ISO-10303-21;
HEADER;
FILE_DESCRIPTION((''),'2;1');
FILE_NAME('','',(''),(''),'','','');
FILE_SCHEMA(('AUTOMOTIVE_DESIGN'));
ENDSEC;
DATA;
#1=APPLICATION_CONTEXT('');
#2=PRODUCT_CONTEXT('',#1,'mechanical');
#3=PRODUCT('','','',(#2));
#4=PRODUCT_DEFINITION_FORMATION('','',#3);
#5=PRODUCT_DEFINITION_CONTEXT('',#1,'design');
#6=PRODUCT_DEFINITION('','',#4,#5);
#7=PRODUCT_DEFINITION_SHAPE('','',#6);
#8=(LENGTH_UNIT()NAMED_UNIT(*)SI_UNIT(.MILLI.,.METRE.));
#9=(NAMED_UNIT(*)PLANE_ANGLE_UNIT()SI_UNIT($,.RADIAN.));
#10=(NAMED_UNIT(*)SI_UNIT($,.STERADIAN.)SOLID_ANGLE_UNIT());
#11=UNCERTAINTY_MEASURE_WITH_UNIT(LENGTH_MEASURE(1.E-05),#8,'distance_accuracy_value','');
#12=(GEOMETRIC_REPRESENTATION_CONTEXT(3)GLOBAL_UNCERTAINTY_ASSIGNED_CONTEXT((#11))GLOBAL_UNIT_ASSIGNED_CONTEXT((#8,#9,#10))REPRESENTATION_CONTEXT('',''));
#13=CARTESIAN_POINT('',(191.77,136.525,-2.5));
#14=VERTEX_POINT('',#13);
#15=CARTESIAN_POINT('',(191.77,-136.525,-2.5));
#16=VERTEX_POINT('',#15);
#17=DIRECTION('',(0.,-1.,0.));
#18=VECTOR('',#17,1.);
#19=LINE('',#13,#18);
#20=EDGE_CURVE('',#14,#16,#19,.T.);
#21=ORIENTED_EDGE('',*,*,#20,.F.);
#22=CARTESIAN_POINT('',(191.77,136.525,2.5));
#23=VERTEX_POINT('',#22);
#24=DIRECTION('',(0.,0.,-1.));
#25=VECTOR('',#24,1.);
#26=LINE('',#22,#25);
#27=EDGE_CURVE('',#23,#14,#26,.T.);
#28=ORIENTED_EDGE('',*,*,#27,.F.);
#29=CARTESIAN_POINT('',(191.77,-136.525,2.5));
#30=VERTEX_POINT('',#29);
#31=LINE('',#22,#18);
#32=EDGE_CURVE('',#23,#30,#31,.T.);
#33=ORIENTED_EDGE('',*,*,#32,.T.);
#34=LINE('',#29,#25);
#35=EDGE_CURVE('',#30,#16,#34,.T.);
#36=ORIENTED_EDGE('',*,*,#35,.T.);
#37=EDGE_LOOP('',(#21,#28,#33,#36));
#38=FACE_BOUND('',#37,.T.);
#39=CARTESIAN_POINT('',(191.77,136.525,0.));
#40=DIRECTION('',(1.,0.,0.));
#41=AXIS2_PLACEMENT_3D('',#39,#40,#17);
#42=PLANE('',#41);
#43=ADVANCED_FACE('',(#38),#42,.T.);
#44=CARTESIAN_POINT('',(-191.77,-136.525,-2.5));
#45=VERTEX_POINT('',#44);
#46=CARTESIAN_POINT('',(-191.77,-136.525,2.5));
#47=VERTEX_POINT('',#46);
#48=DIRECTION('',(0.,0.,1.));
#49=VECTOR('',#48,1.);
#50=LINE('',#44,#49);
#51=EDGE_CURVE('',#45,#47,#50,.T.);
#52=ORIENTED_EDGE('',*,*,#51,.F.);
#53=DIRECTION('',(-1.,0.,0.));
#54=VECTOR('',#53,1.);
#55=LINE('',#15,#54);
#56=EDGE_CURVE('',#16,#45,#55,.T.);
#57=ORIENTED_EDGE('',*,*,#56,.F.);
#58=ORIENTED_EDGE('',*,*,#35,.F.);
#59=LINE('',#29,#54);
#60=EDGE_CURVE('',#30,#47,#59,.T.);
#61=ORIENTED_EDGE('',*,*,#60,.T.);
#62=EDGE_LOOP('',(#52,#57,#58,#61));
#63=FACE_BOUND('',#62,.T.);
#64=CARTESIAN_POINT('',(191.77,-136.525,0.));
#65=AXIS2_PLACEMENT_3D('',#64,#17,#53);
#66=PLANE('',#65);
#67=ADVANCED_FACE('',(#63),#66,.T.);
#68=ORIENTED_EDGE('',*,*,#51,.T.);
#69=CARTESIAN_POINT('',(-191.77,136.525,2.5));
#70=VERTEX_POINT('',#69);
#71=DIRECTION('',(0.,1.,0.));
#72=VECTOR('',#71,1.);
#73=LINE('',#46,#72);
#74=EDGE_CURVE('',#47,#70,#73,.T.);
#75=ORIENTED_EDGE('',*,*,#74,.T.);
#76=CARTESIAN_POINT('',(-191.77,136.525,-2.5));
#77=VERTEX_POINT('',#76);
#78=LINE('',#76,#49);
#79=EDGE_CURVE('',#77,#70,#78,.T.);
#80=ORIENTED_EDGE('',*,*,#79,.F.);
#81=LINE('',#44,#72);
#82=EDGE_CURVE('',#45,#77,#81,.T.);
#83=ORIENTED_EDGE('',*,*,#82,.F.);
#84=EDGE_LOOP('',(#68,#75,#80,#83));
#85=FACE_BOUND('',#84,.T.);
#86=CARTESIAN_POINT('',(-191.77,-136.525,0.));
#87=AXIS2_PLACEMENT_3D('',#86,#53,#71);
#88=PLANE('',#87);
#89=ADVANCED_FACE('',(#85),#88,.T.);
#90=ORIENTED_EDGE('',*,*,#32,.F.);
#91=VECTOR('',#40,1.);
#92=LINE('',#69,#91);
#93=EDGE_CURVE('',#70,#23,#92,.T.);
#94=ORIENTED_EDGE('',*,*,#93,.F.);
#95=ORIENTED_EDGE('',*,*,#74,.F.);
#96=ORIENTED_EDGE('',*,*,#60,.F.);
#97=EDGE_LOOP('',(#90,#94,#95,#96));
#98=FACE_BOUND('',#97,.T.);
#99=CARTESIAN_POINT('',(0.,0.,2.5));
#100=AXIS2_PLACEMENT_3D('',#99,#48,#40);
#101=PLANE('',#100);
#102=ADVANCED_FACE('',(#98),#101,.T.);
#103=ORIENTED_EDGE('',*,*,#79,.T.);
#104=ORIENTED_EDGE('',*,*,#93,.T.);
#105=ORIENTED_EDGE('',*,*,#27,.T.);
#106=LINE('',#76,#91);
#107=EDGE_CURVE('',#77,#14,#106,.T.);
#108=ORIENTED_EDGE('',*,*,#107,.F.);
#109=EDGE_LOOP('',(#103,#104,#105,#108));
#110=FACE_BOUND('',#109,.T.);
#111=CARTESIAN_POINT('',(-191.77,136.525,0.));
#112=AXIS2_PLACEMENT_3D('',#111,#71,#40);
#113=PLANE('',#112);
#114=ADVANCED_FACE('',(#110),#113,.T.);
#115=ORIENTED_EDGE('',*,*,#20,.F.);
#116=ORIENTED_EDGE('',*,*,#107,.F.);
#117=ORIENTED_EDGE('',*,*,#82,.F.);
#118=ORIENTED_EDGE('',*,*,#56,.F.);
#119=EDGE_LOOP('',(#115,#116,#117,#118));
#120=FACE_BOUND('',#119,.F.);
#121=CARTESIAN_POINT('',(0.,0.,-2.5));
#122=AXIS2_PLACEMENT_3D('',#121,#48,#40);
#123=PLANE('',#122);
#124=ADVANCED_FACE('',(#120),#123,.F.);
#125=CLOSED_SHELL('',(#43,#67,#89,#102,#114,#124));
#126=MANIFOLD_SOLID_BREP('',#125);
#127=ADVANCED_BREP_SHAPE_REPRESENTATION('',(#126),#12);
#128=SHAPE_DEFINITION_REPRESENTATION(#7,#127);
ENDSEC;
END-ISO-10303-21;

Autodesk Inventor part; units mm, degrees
ref_plane "YZ Plane" through (0, 0, 0) normal (1, 0, 0) x (0, 1, 0)
ref_plane "XZ Plane" through (0, 0, 0) normal (0, 1, 0) x (-1, 0, 0)
ref_plane "XY Plane" through (0, 0, 0) normal (0, 0, 1) x (1, 0, 0)
sketch "Sketch1" plane through (0, 0, 0) normal (0, 0, 1) x (1, 0, 0)
  line L0 (-191.77, 136.525) -> (191.77, 136.525)
  line L1 (191.77, 136.525) -> (191.77, -136.525)
  line L2 (191.77, -136.525) -> (-191.77, -136.525)
  line L3 (-191.77, -136.525) -> (-191.77, 136.525)
  point P0 (0, 0)
  dimension "d0" = 383.54
  dimension "d1" = 273.05
  dimension "d2" = 191.77
  dimension "d3" = 136.525
extrude "Extrusion1" add sketch "Sketch1" along normal mid plane 5
equation "\"d2\" = 0.5 * d0"
equation "\"d3\" = 0.5 * d1"
